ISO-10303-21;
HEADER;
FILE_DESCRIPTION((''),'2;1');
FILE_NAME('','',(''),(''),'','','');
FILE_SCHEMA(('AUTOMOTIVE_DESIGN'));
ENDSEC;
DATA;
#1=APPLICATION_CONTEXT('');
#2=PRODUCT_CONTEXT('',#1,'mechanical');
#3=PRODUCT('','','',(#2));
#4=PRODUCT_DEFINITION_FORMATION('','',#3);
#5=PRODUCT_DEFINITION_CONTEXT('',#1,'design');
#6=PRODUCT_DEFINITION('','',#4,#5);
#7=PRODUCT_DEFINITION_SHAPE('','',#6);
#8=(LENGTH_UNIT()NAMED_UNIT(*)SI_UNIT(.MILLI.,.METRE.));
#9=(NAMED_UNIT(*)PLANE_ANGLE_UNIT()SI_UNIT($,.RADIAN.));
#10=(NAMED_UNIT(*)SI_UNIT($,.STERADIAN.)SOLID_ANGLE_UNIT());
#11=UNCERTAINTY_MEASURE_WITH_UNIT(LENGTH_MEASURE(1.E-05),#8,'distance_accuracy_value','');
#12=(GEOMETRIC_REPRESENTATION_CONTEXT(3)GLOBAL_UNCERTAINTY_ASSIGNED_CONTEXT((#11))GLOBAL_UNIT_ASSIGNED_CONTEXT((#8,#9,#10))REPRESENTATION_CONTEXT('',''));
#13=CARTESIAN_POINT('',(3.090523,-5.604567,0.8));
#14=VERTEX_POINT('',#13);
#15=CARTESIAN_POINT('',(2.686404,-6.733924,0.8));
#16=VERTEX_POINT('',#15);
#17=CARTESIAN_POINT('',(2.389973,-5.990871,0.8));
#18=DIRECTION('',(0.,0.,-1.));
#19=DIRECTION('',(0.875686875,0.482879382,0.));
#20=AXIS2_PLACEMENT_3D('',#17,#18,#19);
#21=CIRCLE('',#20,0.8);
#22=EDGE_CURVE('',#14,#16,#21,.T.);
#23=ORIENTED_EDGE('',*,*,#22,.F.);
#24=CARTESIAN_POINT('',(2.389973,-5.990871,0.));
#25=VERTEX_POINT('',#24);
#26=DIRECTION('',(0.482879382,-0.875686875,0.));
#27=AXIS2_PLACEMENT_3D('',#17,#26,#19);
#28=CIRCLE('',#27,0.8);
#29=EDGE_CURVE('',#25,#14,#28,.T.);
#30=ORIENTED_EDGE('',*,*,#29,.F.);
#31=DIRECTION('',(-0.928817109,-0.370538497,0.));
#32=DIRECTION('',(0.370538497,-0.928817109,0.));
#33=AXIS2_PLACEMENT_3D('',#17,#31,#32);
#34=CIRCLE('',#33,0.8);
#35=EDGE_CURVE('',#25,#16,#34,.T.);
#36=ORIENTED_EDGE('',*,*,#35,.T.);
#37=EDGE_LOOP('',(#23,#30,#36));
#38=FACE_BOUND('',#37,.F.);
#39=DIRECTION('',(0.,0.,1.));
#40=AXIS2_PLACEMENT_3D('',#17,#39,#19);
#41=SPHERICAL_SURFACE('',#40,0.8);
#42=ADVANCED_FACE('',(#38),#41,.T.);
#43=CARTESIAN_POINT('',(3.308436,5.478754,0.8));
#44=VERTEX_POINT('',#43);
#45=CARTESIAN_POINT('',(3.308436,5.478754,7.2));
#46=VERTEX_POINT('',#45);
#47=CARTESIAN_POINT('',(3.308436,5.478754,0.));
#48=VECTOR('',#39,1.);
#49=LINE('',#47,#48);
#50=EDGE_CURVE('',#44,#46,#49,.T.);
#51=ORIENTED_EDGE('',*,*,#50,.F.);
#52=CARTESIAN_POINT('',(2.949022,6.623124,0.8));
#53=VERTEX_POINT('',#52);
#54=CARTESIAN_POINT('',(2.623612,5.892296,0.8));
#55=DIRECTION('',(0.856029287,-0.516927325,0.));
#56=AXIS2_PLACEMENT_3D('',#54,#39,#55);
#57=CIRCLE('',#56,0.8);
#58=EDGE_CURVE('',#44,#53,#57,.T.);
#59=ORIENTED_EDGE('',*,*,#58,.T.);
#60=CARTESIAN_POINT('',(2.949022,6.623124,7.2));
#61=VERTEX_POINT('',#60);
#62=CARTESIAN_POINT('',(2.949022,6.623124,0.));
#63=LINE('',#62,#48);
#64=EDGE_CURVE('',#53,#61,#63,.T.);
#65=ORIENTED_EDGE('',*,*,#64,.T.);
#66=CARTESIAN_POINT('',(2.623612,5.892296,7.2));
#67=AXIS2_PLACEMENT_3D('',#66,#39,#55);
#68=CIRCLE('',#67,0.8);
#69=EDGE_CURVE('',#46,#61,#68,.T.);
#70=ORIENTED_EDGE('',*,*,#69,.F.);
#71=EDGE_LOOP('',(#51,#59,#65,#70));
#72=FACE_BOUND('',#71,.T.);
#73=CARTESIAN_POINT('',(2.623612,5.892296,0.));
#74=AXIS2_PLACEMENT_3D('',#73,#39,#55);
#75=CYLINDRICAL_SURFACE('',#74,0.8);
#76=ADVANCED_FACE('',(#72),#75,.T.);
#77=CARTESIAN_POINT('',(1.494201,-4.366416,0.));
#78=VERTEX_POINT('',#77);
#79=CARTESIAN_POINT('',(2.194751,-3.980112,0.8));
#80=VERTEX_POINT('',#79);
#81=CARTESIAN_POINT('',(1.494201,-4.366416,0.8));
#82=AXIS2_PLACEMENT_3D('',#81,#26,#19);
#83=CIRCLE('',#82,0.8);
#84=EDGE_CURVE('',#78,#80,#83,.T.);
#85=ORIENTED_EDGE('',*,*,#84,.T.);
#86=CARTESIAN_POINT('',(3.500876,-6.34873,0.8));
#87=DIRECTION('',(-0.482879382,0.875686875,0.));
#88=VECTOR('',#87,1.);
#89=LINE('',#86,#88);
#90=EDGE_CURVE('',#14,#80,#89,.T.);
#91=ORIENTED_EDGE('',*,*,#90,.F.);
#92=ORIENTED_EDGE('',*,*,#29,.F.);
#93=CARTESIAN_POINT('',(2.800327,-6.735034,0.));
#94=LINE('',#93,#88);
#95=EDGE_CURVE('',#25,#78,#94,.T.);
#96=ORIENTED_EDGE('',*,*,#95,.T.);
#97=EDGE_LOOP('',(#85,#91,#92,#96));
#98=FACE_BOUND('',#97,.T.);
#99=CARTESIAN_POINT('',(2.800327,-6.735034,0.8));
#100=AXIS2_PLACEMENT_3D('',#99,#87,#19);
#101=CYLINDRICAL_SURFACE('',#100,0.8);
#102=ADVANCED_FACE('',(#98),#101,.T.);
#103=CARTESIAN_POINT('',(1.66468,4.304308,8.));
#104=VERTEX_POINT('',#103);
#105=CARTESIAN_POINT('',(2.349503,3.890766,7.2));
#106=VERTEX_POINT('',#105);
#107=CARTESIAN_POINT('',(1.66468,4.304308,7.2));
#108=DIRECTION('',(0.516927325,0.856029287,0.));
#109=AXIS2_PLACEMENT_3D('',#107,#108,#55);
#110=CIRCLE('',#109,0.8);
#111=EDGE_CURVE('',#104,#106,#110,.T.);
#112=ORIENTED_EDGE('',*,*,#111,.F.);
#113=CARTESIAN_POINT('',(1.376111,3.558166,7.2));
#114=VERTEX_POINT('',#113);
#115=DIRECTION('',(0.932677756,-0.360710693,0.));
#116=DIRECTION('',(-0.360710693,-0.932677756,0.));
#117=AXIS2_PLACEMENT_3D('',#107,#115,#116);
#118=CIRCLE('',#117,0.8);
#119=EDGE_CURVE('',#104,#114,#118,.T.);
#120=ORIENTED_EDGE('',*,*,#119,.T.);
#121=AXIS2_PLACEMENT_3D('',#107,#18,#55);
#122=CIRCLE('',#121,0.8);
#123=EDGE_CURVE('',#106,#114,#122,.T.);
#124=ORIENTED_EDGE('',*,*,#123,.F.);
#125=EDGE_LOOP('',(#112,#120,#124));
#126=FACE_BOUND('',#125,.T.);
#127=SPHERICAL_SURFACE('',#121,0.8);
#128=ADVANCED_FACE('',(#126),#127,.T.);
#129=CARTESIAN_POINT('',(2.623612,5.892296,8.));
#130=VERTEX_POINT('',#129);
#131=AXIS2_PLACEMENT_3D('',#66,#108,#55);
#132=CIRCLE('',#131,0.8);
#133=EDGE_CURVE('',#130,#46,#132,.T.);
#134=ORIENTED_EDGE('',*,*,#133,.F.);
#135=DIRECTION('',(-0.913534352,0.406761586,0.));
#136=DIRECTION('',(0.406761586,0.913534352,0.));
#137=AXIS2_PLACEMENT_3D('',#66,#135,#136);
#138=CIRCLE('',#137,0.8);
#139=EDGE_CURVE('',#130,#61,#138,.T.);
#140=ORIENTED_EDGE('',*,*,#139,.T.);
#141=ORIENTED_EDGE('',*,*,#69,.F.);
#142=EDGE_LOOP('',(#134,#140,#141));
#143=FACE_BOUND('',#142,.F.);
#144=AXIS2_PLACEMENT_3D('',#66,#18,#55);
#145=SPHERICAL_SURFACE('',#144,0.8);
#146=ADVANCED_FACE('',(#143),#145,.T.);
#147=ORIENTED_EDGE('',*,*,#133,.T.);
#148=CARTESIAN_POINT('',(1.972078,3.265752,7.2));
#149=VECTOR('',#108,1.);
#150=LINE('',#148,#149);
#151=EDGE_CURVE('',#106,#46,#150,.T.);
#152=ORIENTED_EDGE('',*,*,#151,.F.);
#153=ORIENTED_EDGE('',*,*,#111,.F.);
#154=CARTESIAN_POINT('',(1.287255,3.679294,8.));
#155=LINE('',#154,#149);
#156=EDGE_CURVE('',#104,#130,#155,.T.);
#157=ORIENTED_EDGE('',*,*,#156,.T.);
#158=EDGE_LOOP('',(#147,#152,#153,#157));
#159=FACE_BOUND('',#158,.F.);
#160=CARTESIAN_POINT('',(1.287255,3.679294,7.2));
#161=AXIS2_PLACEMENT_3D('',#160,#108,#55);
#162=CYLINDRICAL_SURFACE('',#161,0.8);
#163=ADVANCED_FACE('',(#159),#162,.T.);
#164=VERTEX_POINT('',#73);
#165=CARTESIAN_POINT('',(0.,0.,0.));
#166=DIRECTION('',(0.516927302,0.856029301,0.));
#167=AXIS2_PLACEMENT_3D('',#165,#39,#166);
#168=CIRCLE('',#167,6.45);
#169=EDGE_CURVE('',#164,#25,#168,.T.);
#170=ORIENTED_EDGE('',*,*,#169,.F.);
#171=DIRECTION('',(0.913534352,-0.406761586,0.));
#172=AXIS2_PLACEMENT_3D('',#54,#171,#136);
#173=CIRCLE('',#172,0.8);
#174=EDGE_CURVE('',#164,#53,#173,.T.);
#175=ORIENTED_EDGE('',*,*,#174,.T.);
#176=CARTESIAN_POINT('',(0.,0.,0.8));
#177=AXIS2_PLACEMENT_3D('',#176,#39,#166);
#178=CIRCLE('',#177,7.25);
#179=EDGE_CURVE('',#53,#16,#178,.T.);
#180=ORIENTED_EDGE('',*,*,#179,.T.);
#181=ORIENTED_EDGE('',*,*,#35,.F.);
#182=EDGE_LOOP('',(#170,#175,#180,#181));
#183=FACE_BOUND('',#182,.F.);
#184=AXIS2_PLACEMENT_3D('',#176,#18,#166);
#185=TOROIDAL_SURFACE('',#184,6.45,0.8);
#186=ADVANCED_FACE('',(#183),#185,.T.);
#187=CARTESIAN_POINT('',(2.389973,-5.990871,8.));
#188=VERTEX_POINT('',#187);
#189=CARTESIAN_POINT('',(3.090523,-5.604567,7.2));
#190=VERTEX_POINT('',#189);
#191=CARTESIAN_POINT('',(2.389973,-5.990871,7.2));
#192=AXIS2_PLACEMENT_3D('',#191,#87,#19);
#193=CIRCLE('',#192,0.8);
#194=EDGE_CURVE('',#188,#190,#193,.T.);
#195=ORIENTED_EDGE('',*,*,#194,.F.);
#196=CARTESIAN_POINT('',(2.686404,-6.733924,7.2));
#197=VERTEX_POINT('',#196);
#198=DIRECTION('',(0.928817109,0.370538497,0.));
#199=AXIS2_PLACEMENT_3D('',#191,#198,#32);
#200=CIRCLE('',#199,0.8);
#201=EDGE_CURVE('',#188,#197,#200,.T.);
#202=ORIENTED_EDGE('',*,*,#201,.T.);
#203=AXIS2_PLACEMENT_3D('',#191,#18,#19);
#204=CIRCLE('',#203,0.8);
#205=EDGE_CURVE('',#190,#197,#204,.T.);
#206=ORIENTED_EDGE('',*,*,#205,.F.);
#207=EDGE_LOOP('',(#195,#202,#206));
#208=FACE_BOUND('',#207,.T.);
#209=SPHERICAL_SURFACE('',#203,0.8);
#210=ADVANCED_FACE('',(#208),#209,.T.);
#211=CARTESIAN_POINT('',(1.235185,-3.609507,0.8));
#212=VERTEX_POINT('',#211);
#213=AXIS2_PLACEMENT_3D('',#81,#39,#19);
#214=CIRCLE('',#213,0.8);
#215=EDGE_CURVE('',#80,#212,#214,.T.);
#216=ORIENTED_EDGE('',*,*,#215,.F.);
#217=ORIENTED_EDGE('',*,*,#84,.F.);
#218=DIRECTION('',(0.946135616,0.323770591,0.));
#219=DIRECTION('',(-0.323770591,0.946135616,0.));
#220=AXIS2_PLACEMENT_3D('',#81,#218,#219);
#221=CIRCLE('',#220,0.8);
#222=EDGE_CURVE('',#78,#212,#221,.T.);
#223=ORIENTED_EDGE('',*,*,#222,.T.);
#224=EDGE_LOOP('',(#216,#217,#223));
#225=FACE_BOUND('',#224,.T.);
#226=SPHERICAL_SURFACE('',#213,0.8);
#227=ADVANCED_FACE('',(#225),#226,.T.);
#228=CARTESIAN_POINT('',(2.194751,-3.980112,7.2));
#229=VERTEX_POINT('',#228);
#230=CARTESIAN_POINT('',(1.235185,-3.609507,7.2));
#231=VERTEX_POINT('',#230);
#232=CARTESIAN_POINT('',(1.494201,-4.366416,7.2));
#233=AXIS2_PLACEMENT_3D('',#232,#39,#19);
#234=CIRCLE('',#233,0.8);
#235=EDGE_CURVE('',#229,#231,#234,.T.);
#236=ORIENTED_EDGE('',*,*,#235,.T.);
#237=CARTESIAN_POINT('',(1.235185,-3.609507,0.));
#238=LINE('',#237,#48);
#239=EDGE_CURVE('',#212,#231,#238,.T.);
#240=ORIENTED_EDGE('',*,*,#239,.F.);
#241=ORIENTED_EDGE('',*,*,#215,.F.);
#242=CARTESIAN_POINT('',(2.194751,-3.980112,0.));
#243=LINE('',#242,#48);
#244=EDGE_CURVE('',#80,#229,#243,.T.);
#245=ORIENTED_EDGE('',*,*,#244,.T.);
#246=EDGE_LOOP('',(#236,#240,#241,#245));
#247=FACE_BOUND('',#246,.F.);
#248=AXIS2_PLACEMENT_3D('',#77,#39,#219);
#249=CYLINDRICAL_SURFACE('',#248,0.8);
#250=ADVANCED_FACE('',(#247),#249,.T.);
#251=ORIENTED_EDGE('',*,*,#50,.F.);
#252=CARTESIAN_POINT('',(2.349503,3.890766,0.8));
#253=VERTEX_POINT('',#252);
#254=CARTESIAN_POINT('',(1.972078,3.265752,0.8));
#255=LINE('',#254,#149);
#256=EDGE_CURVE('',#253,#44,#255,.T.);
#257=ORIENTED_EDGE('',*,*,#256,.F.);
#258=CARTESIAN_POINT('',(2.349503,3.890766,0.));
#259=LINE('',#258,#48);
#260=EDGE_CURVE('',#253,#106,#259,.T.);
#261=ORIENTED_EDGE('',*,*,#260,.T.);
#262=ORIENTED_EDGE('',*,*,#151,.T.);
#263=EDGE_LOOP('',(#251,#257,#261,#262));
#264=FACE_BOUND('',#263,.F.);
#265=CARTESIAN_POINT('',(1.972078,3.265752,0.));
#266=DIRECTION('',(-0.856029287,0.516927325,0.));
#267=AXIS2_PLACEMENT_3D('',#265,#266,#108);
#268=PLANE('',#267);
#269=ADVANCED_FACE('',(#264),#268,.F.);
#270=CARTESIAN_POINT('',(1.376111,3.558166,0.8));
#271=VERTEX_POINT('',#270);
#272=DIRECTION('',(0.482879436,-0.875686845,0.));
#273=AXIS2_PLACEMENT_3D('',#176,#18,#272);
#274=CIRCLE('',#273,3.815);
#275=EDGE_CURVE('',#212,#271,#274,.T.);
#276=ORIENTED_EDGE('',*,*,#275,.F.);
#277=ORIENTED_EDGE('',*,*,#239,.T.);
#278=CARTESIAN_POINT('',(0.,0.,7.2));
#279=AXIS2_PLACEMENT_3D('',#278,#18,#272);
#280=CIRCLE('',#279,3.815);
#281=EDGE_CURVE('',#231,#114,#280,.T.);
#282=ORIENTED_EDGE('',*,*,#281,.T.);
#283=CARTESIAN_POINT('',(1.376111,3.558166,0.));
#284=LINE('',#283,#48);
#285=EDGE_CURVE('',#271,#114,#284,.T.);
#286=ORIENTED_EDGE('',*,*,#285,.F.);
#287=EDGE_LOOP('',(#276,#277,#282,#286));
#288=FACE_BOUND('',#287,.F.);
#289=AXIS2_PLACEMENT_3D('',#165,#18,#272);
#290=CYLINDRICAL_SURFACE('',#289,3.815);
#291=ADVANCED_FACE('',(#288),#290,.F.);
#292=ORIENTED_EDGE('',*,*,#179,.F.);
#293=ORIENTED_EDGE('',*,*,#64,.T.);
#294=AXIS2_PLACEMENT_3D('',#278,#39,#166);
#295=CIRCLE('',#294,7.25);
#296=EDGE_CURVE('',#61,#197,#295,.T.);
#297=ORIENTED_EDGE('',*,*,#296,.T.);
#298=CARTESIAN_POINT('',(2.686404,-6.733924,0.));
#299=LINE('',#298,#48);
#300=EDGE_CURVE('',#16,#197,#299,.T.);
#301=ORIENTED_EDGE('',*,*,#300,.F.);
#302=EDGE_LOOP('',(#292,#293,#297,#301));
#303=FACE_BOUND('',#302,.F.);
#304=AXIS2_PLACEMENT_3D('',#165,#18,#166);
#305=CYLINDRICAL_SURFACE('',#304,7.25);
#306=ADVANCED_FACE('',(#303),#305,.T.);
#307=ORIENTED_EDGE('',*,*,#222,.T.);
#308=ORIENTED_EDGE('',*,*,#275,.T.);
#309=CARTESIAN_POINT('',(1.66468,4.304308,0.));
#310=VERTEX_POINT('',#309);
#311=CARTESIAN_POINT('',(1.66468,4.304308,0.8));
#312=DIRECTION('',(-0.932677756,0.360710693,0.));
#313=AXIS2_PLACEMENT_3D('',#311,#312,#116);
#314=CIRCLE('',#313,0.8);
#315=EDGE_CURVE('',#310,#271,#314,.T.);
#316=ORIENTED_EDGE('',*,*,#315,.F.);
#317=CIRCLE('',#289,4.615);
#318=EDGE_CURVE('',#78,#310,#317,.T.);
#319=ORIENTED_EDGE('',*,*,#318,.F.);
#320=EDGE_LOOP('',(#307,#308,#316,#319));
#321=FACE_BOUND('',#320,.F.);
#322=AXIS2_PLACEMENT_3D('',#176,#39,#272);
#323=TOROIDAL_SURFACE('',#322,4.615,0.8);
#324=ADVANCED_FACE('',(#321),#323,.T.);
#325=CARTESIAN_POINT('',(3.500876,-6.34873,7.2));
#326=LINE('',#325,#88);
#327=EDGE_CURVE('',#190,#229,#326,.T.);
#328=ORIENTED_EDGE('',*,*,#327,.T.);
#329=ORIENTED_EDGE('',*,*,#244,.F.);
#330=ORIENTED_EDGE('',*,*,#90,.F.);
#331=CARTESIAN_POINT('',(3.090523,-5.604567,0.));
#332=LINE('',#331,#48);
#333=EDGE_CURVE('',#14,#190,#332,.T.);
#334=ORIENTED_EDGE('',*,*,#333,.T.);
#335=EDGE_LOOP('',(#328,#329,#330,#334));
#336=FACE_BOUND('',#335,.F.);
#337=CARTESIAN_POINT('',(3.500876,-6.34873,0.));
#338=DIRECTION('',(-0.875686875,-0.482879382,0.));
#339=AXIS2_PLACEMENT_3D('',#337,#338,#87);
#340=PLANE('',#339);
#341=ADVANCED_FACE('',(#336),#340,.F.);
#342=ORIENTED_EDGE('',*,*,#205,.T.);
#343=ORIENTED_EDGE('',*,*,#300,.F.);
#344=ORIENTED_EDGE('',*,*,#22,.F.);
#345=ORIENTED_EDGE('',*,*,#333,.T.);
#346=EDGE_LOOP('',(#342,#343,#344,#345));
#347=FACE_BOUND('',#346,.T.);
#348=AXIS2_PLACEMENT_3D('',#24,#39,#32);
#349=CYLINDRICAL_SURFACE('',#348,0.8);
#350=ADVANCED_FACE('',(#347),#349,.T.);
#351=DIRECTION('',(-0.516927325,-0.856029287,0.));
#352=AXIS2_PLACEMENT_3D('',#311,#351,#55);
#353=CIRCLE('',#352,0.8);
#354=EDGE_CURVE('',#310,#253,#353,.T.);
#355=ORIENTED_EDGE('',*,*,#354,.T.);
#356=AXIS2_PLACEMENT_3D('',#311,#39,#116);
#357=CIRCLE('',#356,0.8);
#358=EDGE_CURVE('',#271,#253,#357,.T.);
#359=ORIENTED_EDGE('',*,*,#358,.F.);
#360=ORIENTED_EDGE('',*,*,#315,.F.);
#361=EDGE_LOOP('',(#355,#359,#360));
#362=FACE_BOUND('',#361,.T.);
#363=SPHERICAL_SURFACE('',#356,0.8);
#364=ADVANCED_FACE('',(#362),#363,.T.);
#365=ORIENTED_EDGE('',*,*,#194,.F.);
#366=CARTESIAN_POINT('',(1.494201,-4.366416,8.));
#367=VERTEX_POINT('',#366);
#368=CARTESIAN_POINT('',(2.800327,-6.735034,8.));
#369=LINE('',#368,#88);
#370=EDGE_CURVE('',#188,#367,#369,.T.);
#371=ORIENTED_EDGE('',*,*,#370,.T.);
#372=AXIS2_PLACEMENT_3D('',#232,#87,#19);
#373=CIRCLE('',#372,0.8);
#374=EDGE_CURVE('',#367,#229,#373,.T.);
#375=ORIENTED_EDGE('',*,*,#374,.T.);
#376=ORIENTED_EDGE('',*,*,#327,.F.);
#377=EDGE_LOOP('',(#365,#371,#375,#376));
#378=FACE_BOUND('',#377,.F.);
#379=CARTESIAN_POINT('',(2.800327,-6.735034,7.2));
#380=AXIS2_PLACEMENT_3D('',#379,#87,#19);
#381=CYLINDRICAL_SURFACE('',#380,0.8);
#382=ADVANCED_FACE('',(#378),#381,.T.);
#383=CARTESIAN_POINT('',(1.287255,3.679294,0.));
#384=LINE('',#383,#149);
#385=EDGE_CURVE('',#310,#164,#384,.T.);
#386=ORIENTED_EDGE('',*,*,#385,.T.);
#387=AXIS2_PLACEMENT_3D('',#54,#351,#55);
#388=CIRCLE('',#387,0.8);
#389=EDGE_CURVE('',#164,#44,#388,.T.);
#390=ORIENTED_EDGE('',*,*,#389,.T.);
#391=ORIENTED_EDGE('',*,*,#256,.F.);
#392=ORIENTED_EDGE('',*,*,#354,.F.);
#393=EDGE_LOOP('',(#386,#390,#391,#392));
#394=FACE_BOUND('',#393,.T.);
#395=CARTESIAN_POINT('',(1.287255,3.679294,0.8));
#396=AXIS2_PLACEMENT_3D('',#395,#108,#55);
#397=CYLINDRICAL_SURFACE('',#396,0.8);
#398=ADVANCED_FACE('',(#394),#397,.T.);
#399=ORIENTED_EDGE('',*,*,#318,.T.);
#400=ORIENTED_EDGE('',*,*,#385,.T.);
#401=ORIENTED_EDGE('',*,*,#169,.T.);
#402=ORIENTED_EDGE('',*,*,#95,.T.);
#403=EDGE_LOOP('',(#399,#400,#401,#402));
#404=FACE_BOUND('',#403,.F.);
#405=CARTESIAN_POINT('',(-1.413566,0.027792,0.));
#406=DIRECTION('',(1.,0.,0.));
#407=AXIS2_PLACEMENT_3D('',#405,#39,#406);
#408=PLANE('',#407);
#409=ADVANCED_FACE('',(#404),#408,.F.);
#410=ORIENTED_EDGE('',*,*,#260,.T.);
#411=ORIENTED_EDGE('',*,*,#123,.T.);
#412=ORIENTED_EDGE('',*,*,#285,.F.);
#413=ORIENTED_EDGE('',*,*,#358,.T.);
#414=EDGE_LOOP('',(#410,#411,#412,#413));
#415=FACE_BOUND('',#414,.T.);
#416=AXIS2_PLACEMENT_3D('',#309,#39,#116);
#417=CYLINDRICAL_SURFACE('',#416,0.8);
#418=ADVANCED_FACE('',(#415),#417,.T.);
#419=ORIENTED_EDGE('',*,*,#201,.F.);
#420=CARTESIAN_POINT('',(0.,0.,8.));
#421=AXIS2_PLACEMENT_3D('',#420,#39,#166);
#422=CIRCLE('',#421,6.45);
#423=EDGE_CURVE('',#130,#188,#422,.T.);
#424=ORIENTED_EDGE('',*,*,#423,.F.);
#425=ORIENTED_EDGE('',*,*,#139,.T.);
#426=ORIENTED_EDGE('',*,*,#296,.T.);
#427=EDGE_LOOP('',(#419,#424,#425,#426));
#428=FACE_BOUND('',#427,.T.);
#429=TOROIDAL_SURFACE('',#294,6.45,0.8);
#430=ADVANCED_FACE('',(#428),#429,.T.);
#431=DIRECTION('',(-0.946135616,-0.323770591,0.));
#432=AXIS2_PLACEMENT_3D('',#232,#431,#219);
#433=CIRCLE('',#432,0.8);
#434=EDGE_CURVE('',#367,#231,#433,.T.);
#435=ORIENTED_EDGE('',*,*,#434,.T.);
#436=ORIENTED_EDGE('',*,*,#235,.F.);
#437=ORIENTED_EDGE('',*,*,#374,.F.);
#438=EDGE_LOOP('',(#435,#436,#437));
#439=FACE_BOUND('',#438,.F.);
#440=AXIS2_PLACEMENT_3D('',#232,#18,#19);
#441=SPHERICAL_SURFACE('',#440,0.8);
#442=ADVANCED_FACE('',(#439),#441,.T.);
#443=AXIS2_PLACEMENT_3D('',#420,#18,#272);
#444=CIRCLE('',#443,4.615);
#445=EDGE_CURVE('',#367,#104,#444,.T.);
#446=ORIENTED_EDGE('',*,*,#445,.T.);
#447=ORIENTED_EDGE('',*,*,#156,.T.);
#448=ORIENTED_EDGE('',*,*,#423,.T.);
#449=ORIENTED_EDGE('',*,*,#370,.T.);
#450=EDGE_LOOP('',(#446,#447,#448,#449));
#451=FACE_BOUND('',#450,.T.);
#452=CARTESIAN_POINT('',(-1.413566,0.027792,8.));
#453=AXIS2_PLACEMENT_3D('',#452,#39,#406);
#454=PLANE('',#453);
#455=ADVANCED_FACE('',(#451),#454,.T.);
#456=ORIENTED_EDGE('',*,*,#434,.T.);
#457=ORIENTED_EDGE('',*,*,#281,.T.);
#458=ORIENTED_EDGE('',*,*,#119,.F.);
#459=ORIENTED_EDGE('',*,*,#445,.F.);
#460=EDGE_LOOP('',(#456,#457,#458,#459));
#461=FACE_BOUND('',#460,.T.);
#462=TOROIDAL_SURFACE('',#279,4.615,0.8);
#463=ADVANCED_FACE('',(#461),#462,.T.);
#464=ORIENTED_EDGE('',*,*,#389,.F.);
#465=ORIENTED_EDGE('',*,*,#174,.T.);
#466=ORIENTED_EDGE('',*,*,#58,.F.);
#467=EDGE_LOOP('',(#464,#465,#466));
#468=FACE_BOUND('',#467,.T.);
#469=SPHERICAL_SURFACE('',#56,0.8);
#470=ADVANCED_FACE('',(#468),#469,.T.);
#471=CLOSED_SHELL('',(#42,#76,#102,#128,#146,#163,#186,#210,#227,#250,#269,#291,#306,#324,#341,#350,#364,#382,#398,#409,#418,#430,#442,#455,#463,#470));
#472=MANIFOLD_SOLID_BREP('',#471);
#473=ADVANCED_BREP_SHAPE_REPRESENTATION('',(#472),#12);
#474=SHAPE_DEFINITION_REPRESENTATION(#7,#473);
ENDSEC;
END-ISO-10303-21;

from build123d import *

# Parameters (mm, degrees)
F1_DEPTH = 8
F2_R     = 0.8


with BuildPart() as f1:
    # F0 (on Top) → F1 (new body)
    with BuildSketch(Plane.XY):
        with BuildLine():
            ThreePointArc((1.842185, -3.340745), (-3.814263, 0.074994), (1.972078, 3.265752))
            Line((1.972078, 3.265752), (3.747723, 6.206212))
            ThreePointArc((3.747723, 6.206212), (-7.248599, 0.142517), (3.500876, -6.34873))
            Line((3.500876, -6.34873), (1.842185, -3.340745))
        make_face()
    extrude(amount=F1_DEPTH)

    # F2
    f2_edges = [f1.edges().sort_by_distance(p)[0] for p in [
        (-3.814263, 0.074994, 8),
        (1.972078, 3.265752, 4),
        (-7.248599, 0.142517, 8),
        (2.67153, -4.844738, 0),
        (-3.814263, 0.074994, 0),
        (2.859901, 4.735982, 0),
        (-7.248599, 0.142517, 0),
        (3.500876, -6.34873, 4),
        (1.842185, -3.340745, 4),
        (2.67153, -4.844738, 8),
        (3.747723, 6.206212, 4),
        (2.859901, 4.735982, 8),
    ]]
    fillet(f2_edges, radius=F2_R)


solid = f1.part
